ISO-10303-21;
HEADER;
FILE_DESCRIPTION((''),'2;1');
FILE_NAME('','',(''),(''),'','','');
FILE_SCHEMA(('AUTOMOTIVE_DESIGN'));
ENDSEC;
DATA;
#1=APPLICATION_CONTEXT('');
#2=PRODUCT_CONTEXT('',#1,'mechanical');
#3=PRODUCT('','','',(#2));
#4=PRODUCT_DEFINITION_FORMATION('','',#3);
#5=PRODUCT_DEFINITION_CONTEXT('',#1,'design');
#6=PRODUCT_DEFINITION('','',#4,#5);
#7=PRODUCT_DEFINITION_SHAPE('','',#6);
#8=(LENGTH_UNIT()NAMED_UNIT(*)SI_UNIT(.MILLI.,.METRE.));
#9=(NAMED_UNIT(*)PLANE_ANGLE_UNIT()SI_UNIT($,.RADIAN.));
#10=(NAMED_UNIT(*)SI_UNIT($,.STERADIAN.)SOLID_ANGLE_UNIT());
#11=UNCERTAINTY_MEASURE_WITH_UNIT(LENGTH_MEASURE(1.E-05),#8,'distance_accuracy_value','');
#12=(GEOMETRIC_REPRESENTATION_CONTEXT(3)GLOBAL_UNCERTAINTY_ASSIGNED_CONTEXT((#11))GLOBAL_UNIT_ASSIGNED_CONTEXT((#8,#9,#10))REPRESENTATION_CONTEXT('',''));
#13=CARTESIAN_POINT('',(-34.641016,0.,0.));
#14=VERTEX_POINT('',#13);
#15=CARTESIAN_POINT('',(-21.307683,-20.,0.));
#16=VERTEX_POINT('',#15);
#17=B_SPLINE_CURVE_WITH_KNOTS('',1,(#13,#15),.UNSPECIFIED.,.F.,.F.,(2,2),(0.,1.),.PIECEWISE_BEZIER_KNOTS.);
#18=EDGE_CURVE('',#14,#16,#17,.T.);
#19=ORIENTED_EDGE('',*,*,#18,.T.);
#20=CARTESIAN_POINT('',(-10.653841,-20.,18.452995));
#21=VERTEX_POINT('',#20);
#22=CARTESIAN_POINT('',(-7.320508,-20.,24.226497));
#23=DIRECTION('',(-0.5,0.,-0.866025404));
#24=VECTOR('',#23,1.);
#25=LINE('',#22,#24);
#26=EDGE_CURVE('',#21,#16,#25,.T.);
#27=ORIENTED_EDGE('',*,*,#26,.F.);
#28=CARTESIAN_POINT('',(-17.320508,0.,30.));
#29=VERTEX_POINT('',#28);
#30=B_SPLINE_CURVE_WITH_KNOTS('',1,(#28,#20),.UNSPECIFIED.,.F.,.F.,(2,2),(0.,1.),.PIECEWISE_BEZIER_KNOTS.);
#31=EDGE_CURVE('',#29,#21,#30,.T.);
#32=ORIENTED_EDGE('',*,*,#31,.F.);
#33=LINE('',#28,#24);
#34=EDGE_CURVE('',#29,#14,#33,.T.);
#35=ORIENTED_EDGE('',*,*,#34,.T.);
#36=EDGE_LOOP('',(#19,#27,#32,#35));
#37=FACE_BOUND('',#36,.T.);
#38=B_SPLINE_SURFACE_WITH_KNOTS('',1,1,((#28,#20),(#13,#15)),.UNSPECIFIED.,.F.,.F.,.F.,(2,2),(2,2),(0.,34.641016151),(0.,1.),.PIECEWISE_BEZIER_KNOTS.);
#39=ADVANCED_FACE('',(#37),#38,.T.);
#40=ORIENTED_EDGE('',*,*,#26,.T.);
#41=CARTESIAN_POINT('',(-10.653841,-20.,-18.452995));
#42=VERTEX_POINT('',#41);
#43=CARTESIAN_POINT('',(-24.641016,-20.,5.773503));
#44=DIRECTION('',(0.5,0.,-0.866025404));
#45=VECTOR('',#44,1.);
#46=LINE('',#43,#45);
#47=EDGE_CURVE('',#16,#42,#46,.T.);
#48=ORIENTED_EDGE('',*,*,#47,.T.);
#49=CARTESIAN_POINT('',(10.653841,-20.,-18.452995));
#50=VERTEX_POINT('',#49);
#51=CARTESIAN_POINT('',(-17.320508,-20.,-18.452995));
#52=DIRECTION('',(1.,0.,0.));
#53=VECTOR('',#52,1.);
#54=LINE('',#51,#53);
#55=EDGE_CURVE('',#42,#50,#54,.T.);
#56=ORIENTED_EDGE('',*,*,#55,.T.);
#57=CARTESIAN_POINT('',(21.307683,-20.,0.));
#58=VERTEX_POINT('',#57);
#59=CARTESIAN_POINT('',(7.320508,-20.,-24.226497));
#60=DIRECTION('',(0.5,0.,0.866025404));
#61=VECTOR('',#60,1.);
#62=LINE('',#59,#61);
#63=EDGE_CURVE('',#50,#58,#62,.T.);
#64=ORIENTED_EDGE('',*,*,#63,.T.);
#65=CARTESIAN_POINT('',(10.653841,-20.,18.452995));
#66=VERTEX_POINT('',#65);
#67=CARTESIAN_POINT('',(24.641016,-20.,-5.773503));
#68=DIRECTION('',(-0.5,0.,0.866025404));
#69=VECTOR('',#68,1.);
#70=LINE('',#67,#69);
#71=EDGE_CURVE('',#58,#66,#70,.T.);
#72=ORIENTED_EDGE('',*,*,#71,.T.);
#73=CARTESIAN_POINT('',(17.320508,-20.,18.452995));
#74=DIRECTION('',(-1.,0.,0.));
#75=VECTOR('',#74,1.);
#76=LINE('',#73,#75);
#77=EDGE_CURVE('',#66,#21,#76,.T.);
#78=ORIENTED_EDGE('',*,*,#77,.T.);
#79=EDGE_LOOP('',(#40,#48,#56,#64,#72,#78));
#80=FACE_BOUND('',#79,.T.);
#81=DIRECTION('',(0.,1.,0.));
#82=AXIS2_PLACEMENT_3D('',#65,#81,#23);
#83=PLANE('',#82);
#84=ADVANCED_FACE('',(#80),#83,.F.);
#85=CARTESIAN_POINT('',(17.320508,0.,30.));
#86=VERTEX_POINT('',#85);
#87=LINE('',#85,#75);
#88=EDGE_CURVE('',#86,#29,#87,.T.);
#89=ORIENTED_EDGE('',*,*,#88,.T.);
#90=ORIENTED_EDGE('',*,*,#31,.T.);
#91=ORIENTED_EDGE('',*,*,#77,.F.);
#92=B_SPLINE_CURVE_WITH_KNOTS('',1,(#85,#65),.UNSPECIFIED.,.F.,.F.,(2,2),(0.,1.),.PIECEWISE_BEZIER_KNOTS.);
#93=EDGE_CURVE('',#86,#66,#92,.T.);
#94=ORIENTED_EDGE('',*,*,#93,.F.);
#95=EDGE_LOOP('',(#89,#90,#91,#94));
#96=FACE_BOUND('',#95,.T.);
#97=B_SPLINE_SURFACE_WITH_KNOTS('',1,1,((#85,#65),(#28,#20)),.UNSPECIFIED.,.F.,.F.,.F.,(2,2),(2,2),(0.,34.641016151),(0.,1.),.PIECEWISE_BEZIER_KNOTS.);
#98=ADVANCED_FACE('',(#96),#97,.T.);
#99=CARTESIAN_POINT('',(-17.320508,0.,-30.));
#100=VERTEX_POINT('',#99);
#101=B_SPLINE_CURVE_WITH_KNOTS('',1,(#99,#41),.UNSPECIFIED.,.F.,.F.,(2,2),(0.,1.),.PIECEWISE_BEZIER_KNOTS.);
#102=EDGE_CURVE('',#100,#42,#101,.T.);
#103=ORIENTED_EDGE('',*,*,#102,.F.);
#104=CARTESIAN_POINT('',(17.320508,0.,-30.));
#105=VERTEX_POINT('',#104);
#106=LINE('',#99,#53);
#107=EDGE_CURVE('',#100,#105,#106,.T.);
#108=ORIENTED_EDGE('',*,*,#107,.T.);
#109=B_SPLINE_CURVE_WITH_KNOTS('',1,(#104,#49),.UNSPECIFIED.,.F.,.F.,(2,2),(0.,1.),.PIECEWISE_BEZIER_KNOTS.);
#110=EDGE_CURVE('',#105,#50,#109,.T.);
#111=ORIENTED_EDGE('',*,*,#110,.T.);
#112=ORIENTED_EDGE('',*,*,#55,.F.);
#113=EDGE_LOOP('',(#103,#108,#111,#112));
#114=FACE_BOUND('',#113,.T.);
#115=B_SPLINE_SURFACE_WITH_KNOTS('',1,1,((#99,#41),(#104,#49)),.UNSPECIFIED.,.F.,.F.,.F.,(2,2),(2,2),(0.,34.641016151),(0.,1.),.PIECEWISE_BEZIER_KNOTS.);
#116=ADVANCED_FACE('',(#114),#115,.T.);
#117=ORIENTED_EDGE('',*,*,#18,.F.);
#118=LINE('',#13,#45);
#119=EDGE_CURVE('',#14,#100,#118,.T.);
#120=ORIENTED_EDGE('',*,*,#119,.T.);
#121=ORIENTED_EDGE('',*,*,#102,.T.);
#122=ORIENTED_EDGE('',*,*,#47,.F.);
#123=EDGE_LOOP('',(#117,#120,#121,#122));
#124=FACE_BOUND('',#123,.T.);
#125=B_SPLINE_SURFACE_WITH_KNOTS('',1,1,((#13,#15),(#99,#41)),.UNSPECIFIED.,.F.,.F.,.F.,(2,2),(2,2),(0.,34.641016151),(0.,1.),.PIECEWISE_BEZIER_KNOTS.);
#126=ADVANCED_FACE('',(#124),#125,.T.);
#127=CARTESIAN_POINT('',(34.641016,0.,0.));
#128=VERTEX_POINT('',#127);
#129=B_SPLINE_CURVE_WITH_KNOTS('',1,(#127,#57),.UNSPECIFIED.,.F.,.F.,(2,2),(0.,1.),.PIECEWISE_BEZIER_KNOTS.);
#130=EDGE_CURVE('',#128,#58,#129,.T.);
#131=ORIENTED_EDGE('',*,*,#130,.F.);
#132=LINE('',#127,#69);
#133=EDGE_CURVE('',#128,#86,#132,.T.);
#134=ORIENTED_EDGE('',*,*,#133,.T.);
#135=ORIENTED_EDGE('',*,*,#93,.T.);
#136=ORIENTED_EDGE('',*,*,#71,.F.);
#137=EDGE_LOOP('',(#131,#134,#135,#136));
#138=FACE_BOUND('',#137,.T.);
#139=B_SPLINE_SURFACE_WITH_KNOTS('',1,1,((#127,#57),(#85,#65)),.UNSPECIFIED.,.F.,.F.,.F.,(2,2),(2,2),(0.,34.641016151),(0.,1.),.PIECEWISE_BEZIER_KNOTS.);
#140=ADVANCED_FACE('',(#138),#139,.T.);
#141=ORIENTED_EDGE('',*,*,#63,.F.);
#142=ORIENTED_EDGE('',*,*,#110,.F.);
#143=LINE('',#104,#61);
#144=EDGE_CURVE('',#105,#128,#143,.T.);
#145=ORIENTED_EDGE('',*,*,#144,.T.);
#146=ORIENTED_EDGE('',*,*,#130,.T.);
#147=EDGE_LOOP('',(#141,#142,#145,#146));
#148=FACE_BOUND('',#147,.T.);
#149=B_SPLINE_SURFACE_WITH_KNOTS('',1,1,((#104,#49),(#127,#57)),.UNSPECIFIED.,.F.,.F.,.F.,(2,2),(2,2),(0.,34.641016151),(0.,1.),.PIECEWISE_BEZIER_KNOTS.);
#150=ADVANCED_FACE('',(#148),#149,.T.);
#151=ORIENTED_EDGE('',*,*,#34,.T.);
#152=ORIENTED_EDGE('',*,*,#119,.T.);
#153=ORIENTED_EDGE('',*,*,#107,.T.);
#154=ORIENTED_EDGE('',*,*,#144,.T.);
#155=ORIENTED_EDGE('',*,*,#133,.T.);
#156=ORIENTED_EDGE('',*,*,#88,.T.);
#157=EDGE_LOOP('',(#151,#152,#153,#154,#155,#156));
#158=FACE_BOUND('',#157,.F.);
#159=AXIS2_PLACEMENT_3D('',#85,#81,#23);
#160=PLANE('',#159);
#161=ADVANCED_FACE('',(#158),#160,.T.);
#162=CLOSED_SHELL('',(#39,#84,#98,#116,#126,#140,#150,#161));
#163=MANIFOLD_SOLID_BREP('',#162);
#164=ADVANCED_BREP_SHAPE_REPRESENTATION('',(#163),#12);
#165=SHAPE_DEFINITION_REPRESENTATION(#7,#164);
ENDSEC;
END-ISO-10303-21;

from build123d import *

# Parameters (mm, degrees)
F1_DEPTH = 20
F1_TAPER = 30


with BuildPart() as f1:
    # F0 (on Front) → F1 (new body)
    with BuildSketch(Plane.XZ):
        Polygon((17.3205080757, 30), (-17.3205080757, 30), (-34.6410161514, 0), (-17.3205080757, -30), (17.3205080757, -30), (34.6410161514, 0), align=None)
    extrude(amount=F1_DEPTH, taper=F1_TAPER)


solid = f1.part
